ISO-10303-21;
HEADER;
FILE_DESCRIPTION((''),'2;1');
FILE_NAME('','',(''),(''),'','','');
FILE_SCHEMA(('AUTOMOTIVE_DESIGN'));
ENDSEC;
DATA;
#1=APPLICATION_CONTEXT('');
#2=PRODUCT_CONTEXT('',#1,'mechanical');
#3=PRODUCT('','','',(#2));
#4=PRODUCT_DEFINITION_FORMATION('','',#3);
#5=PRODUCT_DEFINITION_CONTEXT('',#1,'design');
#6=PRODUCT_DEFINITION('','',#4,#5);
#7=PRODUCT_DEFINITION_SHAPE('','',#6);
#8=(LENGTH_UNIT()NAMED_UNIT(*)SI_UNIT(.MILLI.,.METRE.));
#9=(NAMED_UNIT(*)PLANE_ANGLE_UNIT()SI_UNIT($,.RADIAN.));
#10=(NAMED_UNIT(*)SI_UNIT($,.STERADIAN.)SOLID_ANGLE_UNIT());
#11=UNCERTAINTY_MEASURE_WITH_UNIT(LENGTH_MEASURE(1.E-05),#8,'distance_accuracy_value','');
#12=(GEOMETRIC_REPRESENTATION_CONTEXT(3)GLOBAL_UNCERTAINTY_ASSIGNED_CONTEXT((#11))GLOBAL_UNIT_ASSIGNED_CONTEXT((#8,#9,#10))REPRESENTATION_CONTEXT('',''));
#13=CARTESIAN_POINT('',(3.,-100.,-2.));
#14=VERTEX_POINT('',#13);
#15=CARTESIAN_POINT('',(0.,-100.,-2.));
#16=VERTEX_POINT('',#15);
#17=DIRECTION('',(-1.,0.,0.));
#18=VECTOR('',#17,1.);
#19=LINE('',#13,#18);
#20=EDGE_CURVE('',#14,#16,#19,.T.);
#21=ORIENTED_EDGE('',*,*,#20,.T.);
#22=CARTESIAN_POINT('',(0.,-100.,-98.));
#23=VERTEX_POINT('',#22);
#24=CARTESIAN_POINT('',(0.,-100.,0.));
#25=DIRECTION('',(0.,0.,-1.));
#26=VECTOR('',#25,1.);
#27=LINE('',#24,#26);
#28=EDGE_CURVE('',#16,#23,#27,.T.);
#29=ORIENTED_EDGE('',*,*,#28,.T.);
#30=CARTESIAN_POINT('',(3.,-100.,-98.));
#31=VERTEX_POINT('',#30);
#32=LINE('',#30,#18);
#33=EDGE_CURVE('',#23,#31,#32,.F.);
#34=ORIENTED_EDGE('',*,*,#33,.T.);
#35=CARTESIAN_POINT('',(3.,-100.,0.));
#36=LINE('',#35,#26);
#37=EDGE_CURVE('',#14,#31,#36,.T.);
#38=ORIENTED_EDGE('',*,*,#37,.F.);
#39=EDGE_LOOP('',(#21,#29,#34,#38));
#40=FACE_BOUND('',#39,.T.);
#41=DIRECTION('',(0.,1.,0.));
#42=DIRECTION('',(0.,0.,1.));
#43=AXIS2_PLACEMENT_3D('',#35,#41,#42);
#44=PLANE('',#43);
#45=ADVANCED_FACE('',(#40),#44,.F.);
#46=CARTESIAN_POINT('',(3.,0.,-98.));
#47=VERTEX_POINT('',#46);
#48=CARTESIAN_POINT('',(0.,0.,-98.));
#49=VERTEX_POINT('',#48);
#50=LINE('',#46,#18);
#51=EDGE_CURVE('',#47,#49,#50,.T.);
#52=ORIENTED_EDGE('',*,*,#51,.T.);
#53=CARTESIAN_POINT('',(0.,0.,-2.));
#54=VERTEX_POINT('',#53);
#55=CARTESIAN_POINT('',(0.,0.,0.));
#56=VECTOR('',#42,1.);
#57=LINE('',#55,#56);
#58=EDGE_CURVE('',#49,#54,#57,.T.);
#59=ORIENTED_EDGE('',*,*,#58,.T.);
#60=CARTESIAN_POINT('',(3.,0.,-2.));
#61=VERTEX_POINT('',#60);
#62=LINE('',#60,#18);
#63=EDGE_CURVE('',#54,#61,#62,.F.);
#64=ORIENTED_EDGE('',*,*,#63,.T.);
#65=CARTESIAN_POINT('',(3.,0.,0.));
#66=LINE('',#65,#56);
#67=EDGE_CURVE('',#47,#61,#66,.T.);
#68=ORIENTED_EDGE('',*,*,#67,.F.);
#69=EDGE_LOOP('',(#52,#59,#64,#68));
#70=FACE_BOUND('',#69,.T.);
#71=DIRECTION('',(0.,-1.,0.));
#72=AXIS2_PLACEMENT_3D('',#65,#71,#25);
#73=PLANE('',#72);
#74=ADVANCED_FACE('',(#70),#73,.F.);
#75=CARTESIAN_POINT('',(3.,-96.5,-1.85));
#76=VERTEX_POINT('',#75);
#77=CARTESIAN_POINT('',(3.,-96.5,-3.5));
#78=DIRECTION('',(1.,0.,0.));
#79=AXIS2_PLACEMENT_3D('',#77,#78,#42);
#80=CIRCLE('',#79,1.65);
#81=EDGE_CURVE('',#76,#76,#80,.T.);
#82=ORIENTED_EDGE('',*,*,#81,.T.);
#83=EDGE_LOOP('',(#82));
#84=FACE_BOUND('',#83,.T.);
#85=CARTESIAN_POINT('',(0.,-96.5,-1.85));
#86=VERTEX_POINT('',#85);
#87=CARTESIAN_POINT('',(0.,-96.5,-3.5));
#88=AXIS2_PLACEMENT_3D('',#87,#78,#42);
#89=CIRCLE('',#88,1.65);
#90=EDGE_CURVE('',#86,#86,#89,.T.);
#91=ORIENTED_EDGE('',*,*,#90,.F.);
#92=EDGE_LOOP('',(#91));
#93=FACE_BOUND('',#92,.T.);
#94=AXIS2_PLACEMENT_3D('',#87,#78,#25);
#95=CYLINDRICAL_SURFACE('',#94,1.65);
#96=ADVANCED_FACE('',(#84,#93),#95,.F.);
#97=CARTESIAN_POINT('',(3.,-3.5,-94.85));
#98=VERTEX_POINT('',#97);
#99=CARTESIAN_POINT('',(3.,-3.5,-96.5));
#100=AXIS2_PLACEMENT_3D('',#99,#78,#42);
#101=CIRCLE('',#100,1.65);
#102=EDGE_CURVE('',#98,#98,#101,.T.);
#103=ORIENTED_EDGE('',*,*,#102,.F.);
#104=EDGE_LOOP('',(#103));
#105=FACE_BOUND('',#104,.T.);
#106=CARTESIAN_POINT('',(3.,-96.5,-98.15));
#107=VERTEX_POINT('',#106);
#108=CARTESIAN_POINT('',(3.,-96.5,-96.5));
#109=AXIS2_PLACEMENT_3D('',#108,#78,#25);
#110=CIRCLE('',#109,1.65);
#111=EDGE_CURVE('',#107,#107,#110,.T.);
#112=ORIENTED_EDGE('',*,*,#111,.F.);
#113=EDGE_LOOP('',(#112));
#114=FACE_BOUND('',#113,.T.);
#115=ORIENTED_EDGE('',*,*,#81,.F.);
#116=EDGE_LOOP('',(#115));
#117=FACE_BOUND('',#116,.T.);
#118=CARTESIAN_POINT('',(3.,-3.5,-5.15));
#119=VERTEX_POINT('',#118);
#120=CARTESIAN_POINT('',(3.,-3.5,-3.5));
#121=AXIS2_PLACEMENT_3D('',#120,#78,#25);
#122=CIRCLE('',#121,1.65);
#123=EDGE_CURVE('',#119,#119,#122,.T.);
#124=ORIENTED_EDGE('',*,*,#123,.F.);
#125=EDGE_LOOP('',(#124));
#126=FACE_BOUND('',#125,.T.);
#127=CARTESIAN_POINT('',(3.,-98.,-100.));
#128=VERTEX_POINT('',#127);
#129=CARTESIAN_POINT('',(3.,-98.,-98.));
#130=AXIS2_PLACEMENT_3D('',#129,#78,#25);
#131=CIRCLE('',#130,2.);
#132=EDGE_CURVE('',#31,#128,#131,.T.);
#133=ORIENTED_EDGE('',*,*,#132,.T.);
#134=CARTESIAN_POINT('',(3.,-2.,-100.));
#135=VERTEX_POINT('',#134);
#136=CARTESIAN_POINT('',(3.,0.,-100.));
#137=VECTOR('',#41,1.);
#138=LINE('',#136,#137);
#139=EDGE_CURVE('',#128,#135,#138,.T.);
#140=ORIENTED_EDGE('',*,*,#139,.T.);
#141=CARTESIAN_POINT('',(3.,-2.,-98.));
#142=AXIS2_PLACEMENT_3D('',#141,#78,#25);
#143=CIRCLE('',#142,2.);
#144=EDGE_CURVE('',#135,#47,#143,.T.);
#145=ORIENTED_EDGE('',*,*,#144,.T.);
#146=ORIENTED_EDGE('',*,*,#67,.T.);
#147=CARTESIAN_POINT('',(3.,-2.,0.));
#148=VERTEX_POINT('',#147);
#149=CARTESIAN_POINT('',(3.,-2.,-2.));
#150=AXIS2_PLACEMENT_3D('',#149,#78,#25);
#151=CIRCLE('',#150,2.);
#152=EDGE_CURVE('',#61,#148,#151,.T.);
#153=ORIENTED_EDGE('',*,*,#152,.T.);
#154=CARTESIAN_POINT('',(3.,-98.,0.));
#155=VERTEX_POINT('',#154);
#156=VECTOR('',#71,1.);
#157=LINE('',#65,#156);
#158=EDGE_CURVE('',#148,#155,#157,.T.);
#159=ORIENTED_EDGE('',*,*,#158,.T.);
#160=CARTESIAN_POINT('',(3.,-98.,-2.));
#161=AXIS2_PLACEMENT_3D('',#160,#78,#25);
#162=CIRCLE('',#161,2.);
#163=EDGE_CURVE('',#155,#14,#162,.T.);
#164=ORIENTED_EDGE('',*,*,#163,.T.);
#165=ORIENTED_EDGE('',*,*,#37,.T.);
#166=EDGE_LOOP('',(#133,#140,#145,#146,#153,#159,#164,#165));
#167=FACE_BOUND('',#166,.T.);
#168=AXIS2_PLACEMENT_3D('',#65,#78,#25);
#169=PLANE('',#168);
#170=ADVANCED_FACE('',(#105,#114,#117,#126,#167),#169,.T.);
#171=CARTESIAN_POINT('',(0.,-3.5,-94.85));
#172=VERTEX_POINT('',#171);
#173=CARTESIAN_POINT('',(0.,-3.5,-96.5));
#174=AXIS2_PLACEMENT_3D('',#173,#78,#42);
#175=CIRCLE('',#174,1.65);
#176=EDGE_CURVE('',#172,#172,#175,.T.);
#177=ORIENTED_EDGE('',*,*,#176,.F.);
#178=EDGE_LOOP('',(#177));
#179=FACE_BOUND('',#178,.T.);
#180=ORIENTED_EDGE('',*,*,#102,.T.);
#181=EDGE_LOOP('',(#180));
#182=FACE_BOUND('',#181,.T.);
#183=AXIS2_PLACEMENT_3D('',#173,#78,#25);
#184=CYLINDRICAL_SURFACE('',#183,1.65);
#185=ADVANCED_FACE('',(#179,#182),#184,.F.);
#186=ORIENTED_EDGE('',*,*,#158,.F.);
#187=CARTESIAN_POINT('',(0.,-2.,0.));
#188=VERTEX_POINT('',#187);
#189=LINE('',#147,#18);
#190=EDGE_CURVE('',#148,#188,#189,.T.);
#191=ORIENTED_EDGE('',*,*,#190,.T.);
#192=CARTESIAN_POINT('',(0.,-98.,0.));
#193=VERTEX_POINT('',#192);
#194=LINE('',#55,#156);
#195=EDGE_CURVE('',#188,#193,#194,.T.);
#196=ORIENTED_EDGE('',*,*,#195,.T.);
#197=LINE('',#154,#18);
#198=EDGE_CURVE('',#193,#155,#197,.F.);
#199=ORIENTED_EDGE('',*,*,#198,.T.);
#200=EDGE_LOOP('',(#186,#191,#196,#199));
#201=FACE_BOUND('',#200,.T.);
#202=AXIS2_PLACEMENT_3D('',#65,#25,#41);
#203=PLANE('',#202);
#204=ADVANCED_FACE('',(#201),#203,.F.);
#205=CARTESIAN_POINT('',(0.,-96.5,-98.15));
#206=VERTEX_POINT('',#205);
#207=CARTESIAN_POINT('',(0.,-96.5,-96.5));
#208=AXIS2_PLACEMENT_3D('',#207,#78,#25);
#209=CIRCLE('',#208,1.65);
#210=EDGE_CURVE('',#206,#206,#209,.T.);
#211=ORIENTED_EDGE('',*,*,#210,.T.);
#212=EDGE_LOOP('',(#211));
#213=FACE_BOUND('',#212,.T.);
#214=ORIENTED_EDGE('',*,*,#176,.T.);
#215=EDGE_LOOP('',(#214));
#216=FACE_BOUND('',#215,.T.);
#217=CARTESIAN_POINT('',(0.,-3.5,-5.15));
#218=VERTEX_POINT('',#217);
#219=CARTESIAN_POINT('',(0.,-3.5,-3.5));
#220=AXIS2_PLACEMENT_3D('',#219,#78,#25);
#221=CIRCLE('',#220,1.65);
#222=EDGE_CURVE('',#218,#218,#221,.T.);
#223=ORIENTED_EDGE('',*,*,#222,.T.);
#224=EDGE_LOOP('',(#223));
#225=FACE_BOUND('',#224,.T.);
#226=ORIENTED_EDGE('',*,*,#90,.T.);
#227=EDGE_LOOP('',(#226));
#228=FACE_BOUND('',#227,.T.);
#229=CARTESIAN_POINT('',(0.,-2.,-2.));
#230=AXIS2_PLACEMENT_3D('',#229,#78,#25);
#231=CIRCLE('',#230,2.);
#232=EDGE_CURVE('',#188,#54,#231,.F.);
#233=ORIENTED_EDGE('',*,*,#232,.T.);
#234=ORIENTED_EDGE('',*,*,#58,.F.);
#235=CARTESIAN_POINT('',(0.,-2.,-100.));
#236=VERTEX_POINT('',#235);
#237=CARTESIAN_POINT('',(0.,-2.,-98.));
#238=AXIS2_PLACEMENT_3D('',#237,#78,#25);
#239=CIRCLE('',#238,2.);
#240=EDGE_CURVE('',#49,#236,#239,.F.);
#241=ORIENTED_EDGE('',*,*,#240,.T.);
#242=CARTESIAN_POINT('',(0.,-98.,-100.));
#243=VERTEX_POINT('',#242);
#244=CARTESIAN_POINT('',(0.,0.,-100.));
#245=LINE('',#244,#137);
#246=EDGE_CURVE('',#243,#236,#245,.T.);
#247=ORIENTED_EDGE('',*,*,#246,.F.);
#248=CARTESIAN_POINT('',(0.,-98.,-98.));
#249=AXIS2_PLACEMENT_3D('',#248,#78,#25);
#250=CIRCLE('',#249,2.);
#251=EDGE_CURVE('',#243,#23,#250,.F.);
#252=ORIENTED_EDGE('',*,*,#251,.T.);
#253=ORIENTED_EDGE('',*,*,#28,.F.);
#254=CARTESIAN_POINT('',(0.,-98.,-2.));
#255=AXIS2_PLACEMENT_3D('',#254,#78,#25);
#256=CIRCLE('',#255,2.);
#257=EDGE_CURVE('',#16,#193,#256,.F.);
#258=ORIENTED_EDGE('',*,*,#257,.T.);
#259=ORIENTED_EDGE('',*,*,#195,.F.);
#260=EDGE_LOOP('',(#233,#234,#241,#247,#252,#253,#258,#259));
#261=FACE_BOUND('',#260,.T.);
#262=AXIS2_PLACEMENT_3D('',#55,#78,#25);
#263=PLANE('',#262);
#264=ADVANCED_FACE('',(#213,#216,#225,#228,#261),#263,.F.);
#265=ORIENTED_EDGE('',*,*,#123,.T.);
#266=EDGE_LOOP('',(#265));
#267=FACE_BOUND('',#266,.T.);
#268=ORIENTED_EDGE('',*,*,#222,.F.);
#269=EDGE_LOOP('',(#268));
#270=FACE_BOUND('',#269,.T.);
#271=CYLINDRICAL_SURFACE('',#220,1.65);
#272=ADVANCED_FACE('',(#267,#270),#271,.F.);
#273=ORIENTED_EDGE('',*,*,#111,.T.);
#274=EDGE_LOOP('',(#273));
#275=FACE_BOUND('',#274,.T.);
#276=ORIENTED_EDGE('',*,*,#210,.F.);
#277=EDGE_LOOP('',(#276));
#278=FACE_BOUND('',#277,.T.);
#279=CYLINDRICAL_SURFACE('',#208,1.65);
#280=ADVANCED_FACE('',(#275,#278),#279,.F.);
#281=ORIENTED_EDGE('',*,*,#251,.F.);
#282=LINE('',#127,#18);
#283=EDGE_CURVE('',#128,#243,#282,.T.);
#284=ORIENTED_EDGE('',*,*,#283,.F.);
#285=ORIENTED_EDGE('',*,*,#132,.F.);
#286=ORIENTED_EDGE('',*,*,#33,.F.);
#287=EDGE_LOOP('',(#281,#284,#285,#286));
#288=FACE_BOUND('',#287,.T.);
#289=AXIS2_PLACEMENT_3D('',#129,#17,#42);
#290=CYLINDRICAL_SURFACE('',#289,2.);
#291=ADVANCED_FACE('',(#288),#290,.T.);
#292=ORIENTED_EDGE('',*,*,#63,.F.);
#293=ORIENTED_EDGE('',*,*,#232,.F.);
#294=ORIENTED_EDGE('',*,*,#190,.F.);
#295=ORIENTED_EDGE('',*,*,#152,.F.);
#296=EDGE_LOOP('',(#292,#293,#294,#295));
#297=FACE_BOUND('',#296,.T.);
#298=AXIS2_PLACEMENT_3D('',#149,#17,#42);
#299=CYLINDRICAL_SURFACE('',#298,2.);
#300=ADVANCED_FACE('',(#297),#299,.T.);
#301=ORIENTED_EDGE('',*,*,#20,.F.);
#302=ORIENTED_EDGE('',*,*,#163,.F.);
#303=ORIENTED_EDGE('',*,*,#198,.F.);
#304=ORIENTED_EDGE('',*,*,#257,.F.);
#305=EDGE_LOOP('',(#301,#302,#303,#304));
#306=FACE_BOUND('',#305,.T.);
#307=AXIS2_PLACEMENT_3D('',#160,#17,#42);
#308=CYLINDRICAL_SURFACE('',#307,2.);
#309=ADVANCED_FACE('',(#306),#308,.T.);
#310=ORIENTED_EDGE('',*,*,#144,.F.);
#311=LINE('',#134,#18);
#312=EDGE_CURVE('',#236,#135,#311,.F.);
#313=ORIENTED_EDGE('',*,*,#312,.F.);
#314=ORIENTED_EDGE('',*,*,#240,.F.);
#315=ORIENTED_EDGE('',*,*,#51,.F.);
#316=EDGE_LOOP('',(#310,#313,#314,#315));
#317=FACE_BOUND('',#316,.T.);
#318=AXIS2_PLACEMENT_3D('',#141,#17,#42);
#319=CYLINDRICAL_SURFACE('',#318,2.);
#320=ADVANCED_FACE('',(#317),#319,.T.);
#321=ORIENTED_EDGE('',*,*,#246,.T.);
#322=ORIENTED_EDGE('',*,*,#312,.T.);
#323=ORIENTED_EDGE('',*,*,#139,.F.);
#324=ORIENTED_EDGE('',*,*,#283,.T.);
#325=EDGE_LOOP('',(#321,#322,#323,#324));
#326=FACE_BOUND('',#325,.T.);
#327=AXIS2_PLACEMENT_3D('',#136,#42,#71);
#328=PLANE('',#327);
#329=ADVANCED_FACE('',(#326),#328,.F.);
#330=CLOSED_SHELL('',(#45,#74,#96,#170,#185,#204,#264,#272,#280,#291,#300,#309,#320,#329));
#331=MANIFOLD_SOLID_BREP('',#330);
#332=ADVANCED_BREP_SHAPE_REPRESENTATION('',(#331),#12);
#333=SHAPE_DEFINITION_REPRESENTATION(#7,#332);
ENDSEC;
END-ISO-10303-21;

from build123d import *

# Parameters (mm, degrees)
SKETCH_1_W          = 100
SKETCH_1_H          = 100
EXTRUDE_1_DEPTH     = 3
SKETCH_2_R          = 1.65
CUT_EXTRUDE_1_DEPTH = 3
FILLET_1_R          = 2
FILLET_2_R          = 2


with BuildPart() as part:
    # 草图1 → 凸台-拉伸1 (new body)
    with BuildSketch(Plane(origin=(0, 0, 0), x_dir=(0, 0, -1), z_dir=(1, 0, 0))):
        with Locations((50, -50)):
            Rectangle(SKETCH_1_W, SKETCH_1_H)
    extrude(amount=EXTRUDE_1_DEPTH)

    # 草图2 → 切除-拉伸1 (cut)
    with BuildSketch(Plane(origin=(3, 0, 0), x_dir=(0, 0, -1), z_dir=(1, 0, 0))):
        with Locations((3.5, -3.5)):
            Circle(SKETCH_2_R)
        with Locations(Location((96.5, -3.5, 0), (0, 0, 180))):
            Circle(SKETCH_2_R)
        with Locations((96.5, -96.5)):
            Circle(SKETCH_2_R)
        with Locations(Location((3.5, -96.5, 0), (0, 0, 180))):
            Circle(SKETCH_2_R)
    extrude(amount=-CUT_EXTRUDE_1_DEPTH, mode=Mode.SUBTRACT)

    # 圆角1
    fillet_1_edges = [part.edges().sort_by_distance(p)[0] for p in [
        (1.5, 0, -100),
    ]]
    fillet(fillet_1_edges, radius=FILLET_1_R)

    # 圆角2
    fillet_2_edges = [part.edges().sort_by_distance(p)[0] for p in [
        (1.5, 0, 0),
        (1.5, -100, -100),
        (1.5, -100, 0),
    ]]
    fillet(fillet_2_edges, radius=FILLET_2_R)


solid = part.part
